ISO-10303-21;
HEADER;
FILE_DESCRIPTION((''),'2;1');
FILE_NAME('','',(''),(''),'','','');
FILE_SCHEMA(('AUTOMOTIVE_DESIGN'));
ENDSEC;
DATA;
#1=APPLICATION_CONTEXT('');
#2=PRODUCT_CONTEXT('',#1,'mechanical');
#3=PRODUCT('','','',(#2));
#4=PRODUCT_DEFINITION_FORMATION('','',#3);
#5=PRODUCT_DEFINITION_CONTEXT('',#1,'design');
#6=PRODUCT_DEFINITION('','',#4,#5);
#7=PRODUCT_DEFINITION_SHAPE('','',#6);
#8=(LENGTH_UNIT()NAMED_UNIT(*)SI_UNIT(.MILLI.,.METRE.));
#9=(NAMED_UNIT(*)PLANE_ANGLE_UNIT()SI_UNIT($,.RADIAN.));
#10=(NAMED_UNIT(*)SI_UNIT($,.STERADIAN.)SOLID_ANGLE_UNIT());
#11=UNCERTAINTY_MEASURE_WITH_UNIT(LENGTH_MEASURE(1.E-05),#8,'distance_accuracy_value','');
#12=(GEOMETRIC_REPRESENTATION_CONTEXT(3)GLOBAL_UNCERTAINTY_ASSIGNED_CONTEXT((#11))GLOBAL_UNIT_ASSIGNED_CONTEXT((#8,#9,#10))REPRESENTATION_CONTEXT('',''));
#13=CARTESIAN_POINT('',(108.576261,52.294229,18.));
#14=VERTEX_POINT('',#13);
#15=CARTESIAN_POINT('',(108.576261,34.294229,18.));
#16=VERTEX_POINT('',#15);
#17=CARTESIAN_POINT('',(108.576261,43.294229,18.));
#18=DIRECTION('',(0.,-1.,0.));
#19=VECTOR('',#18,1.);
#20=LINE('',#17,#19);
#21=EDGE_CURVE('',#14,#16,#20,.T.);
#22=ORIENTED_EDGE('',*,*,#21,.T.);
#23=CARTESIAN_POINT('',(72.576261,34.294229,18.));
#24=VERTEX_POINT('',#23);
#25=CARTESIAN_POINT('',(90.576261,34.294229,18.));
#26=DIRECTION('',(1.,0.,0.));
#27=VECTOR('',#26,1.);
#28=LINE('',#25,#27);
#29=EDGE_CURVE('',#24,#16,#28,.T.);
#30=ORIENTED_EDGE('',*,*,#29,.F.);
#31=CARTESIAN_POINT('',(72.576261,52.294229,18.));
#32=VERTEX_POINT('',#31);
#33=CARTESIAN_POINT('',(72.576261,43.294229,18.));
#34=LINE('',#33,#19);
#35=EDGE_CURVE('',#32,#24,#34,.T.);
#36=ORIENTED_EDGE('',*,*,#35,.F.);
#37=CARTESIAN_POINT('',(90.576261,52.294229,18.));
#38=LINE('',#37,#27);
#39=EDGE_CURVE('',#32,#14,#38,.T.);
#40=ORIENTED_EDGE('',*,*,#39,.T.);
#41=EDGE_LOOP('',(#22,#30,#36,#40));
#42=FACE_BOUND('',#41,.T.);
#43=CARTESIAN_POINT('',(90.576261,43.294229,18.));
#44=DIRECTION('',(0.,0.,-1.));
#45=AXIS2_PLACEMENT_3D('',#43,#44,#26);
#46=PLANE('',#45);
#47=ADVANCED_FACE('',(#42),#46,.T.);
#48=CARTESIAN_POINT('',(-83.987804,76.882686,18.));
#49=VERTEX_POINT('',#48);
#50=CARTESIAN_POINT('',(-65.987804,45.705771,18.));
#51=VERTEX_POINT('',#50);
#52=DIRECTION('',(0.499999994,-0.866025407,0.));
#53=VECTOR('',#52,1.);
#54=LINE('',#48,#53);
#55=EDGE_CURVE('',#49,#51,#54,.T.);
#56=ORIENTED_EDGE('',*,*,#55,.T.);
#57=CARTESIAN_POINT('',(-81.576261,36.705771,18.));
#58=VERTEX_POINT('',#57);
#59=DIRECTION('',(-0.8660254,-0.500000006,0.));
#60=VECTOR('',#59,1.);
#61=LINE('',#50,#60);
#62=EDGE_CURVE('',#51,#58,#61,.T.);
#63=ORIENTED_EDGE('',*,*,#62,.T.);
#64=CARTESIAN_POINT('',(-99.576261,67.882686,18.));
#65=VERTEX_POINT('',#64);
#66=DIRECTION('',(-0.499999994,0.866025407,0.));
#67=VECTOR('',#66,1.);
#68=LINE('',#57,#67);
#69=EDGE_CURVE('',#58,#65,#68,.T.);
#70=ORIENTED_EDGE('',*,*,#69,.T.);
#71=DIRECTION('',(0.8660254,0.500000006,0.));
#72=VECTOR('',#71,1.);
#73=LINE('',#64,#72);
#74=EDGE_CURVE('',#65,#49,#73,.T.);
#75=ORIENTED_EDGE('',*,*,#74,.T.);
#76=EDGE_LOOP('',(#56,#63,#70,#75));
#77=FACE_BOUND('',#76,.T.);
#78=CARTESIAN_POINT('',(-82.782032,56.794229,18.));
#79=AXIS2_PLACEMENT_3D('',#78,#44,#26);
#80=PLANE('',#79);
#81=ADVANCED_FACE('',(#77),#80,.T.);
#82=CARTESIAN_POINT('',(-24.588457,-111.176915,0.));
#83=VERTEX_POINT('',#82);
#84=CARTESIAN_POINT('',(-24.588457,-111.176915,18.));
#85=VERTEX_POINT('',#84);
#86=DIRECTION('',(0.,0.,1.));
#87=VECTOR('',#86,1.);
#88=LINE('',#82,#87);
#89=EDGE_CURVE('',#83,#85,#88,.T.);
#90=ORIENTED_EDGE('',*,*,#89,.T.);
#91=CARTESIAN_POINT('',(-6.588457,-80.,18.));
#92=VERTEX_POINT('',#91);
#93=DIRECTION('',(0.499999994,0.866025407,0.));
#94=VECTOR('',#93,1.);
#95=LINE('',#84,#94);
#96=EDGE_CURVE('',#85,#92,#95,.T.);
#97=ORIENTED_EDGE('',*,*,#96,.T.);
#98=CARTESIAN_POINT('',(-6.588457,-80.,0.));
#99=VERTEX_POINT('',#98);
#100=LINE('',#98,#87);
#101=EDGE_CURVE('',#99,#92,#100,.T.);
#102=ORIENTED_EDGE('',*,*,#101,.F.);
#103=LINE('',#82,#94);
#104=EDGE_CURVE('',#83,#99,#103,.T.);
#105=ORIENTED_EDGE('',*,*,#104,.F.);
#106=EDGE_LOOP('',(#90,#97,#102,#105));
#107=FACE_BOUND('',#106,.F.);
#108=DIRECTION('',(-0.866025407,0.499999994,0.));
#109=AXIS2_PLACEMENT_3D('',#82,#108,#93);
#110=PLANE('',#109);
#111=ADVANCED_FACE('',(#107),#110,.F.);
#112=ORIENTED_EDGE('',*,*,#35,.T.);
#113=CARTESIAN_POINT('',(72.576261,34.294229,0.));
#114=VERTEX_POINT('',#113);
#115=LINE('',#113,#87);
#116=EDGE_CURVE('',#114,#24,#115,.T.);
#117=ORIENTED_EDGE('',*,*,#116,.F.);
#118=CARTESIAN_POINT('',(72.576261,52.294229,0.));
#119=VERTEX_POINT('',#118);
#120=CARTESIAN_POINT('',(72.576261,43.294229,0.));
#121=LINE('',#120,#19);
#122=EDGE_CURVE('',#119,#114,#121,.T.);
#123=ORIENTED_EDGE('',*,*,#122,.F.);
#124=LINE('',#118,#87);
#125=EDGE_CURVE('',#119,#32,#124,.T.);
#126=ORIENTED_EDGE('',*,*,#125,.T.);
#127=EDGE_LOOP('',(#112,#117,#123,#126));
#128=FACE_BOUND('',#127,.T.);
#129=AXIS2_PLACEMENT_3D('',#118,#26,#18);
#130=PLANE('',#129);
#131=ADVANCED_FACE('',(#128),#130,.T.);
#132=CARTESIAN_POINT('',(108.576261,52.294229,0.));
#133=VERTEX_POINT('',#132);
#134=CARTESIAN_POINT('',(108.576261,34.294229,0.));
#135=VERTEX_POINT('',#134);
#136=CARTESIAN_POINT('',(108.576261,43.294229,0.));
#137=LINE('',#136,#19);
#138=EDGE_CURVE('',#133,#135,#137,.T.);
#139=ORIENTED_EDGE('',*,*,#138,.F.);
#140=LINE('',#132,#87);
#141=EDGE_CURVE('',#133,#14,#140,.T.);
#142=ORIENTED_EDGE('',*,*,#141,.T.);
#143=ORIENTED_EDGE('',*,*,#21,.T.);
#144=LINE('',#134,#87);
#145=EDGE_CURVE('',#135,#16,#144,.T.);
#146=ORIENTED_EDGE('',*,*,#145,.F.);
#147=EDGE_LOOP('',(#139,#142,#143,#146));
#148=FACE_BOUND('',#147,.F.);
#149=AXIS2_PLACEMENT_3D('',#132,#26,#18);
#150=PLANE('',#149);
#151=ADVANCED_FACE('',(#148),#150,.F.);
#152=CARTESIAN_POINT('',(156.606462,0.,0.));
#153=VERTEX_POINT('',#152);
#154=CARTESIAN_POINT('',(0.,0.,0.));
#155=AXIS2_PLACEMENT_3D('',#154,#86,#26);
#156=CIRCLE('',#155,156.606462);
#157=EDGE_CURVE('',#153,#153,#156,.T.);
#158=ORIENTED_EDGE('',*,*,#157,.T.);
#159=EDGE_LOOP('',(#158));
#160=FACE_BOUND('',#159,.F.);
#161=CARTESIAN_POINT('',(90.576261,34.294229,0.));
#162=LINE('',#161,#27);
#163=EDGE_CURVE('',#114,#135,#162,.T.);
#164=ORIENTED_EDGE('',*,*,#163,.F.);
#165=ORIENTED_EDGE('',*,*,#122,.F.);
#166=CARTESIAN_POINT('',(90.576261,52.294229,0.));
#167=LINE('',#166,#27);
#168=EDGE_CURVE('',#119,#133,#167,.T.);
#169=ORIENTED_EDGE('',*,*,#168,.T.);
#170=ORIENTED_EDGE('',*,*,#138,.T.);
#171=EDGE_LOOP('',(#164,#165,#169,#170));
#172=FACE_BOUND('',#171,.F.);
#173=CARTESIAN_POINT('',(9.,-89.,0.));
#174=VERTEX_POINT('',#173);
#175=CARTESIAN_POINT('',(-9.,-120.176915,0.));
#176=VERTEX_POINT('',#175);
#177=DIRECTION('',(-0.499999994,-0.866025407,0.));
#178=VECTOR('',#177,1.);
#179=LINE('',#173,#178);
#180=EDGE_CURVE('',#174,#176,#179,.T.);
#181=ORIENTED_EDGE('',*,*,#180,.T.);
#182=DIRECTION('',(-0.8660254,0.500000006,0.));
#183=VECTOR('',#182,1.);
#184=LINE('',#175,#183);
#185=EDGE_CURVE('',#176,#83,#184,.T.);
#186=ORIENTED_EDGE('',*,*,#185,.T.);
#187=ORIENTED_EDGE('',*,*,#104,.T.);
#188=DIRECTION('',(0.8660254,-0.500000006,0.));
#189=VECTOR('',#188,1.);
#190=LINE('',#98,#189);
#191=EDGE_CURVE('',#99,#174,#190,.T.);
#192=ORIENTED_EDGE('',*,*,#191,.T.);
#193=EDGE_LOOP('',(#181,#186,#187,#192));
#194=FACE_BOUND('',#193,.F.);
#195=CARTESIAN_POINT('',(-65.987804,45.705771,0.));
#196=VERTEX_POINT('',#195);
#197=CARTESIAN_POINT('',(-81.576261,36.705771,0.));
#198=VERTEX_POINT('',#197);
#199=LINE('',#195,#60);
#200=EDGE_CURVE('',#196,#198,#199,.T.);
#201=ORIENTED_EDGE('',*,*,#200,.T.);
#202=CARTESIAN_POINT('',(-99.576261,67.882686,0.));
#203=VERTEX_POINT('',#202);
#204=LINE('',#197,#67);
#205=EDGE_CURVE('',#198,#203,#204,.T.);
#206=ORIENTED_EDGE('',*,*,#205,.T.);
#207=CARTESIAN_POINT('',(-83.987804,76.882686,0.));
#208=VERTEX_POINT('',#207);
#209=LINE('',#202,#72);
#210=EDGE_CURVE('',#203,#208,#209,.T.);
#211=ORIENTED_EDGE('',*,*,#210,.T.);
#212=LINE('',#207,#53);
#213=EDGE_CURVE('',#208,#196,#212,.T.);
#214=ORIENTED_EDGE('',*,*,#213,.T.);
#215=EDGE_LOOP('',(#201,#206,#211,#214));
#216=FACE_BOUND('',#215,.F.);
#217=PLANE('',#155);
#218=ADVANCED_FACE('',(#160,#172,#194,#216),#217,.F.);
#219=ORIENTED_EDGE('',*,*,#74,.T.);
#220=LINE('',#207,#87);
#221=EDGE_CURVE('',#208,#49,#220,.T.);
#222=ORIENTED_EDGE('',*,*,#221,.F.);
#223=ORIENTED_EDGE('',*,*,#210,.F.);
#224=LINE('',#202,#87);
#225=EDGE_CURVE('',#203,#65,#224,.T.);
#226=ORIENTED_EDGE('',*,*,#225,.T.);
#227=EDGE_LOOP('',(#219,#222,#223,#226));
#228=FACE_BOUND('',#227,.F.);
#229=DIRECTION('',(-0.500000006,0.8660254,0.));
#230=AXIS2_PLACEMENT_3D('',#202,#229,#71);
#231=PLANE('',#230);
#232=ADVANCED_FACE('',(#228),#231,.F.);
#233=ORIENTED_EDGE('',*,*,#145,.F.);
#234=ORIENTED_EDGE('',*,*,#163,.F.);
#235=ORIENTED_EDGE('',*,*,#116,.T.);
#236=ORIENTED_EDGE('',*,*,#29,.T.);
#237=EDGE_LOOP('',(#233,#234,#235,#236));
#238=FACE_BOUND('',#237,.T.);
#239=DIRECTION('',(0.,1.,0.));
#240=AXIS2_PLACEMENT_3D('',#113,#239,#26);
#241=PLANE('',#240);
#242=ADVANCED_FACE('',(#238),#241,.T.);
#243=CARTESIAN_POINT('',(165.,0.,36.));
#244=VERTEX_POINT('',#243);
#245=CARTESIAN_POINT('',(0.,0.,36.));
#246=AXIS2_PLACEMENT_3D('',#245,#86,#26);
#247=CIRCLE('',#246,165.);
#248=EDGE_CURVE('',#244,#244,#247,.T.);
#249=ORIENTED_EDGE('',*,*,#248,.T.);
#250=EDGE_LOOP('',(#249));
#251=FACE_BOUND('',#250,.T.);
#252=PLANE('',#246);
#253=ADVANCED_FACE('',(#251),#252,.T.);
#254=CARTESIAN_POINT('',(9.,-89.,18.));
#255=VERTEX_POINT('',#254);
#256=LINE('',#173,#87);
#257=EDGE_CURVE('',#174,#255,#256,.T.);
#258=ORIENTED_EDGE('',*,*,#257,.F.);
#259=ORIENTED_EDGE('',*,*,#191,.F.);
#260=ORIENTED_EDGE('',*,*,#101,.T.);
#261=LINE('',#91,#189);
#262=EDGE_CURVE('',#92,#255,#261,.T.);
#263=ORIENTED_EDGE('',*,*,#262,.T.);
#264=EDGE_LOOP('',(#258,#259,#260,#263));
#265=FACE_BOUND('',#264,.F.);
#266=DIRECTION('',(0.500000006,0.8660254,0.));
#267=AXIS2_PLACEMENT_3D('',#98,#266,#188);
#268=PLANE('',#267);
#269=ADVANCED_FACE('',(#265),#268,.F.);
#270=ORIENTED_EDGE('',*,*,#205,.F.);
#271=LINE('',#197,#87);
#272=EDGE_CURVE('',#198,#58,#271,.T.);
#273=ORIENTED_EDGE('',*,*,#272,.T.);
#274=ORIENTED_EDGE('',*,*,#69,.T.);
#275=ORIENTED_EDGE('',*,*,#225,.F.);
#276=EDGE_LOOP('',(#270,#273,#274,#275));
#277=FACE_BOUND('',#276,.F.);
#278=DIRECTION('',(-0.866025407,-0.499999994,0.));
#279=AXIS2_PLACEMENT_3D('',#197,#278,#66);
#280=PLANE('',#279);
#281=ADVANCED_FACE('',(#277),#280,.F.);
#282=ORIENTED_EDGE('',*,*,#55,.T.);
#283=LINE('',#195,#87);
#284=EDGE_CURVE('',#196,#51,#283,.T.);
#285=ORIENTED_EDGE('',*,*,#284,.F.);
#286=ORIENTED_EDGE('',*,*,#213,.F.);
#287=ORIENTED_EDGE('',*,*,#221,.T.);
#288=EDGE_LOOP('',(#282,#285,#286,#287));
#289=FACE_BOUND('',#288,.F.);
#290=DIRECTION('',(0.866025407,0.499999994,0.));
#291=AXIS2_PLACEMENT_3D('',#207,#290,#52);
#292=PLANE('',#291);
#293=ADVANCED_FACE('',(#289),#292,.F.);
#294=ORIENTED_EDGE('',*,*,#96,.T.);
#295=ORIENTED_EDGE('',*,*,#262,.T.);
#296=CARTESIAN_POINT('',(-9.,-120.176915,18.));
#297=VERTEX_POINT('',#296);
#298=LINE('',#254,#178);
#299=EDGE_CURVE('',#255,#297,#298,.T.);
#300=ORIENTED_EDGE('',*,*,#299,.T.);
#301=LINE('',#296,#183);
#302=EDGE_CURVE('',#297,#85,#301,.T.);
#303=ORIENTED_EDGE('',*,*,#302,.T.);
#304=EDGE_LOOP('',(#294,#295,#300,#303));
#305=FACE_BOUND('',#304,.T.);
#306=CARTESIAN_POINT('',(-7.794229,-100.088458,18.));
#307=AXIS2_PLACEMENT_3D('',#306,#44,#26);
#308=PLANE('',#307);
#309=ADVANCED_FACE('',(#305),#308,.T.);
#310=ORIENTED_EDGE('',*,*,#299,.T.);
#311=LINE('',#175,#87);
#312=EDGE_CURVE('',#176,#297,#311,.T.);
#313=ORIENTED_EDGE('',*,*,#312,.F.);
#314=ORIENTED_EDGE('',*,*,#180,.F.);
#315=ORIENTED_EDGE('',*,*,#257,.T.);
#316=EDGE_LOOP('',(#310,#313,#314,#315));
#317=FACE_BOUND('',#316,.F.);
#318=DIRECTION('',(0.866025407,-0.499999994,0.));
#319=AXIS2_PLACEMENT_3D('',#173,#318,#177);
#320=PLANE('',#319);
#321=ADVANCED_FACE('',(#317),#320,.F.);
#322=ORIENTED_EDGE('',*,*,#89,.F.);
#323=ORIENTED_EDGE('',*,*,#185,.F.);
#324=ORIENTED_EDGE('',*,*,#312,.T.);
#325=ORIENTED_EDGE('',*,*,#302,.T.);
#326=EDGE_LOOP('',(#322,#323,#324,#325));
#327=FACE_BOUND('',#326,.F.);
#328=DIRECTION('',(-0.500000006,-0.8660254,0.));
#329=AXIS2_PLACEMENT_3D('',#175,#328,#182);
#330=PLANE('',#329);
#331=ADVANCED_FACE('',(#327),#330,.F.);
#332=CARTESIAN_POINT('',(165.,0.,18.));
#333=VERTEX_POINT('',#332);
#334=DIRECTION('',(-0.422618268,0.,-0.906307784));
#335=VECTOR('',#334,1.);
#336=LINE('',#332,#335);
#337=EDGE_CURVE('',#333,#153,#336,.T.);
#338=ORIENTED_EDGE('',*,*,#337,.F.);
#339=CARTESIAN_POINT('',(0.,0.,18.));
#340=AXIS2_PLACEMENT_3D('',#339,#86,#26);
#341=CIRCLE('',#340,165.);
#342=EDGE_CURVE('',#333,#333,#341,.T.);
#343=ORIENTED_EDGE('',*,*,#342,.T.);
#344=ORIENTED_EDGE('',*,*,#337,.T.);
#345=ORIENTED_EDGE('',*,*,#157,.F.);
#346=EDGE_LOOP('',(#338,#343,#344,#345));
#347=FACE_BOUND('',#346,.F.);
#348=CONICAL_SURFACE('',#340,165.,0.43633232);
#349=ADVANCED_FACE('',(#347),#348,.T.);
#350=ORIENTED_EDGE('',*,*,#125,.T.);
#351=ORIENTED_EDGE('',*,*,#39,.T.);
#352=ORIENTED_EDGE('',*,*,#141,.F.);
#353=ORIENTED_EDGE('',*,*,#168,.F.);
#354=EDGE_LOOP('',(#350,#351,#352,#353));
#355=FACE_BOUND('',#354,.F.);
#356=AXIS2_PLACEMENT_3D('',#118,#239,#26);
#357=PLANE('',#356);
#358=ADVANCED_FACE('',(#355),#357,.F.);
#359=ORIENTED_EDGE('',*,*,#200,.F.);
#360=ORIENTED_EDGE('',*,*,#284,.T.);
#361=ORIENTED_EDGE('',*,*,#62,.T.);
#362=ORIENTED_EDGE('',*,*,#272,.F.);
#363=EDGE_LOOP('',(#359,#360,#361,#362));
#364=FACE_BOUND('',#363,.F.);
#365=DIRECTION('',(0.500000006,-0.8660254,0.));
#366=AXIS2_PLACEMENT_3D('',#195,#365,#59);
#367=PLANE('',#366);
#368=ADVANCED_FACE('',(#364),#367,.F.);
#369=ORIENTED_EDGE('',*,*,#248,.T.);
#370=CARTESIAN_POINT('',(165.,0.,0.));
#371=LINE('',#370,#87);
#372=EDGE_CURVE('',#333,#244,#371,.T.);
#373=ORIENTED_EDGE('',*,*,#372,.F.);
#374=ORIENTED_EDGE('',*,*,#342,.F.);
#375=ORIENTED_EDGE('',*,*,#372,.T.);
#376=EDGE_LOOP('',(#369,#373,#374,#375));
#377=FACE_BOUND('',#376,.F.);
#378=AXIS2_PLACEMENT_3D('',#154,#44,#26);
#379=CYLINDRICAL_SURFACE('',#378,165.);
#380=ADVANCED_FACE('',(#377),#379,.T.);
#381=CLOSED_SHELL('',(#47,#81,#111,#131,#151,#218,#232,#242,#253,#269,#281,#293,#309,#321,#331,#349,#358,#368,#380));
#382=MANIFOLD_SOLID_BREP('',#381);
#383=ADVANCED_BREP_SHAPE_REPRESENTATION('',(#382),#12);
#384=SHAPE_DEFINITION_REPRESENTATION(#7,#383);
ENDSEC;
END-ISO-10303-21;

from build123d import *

# Parameters (mm, degrees)
F0_R     = 165
F1_DEPTH = 36
F2_W     = 36
F2_H     = 18
F3_DEPTH = 18
F4_SIZE2 = 8.393538
F4_SIZE  = 18


with BuildPart() as f1:
    # F0 (on Top) → F1 (new body)
    with BuildSketch(Plane.XY):
        Circle(F0_R)
    extrude(amount=F1_DEPTH)

    # F2 (on face) → F3 (cut)
    with BuildSketch(Plane(origin=(0, 0, 0), x_dir=(1, 0, 0), z_dir=(0, 0, -1))):
        Polygon((-9, 120.176915), (-24.588457, 111.176915), (-6.588457, 80), (9, 89), align=None)
        with Locations((90.576261, -43.294229)):
            Rectangle(F2_W, F2_H)
        Polygon((-81.576261, -36.705771), (-99.576261, -67.882686), (-83.987804, -76.882686), (-65.987804, -45.705771), align=None)
    extrude(amount=-F3_DEPTH, mode=Mode.SUBTRACT)

    # F4
    f4_edges = [f1.edges().sort_by_distance(p)[0] for p in [
        (-165, 0, 0),
    ]]
    chamfer(f4_edges, length=F4_SIZE, length2=F4_SIZE2)


solid = f1.part
